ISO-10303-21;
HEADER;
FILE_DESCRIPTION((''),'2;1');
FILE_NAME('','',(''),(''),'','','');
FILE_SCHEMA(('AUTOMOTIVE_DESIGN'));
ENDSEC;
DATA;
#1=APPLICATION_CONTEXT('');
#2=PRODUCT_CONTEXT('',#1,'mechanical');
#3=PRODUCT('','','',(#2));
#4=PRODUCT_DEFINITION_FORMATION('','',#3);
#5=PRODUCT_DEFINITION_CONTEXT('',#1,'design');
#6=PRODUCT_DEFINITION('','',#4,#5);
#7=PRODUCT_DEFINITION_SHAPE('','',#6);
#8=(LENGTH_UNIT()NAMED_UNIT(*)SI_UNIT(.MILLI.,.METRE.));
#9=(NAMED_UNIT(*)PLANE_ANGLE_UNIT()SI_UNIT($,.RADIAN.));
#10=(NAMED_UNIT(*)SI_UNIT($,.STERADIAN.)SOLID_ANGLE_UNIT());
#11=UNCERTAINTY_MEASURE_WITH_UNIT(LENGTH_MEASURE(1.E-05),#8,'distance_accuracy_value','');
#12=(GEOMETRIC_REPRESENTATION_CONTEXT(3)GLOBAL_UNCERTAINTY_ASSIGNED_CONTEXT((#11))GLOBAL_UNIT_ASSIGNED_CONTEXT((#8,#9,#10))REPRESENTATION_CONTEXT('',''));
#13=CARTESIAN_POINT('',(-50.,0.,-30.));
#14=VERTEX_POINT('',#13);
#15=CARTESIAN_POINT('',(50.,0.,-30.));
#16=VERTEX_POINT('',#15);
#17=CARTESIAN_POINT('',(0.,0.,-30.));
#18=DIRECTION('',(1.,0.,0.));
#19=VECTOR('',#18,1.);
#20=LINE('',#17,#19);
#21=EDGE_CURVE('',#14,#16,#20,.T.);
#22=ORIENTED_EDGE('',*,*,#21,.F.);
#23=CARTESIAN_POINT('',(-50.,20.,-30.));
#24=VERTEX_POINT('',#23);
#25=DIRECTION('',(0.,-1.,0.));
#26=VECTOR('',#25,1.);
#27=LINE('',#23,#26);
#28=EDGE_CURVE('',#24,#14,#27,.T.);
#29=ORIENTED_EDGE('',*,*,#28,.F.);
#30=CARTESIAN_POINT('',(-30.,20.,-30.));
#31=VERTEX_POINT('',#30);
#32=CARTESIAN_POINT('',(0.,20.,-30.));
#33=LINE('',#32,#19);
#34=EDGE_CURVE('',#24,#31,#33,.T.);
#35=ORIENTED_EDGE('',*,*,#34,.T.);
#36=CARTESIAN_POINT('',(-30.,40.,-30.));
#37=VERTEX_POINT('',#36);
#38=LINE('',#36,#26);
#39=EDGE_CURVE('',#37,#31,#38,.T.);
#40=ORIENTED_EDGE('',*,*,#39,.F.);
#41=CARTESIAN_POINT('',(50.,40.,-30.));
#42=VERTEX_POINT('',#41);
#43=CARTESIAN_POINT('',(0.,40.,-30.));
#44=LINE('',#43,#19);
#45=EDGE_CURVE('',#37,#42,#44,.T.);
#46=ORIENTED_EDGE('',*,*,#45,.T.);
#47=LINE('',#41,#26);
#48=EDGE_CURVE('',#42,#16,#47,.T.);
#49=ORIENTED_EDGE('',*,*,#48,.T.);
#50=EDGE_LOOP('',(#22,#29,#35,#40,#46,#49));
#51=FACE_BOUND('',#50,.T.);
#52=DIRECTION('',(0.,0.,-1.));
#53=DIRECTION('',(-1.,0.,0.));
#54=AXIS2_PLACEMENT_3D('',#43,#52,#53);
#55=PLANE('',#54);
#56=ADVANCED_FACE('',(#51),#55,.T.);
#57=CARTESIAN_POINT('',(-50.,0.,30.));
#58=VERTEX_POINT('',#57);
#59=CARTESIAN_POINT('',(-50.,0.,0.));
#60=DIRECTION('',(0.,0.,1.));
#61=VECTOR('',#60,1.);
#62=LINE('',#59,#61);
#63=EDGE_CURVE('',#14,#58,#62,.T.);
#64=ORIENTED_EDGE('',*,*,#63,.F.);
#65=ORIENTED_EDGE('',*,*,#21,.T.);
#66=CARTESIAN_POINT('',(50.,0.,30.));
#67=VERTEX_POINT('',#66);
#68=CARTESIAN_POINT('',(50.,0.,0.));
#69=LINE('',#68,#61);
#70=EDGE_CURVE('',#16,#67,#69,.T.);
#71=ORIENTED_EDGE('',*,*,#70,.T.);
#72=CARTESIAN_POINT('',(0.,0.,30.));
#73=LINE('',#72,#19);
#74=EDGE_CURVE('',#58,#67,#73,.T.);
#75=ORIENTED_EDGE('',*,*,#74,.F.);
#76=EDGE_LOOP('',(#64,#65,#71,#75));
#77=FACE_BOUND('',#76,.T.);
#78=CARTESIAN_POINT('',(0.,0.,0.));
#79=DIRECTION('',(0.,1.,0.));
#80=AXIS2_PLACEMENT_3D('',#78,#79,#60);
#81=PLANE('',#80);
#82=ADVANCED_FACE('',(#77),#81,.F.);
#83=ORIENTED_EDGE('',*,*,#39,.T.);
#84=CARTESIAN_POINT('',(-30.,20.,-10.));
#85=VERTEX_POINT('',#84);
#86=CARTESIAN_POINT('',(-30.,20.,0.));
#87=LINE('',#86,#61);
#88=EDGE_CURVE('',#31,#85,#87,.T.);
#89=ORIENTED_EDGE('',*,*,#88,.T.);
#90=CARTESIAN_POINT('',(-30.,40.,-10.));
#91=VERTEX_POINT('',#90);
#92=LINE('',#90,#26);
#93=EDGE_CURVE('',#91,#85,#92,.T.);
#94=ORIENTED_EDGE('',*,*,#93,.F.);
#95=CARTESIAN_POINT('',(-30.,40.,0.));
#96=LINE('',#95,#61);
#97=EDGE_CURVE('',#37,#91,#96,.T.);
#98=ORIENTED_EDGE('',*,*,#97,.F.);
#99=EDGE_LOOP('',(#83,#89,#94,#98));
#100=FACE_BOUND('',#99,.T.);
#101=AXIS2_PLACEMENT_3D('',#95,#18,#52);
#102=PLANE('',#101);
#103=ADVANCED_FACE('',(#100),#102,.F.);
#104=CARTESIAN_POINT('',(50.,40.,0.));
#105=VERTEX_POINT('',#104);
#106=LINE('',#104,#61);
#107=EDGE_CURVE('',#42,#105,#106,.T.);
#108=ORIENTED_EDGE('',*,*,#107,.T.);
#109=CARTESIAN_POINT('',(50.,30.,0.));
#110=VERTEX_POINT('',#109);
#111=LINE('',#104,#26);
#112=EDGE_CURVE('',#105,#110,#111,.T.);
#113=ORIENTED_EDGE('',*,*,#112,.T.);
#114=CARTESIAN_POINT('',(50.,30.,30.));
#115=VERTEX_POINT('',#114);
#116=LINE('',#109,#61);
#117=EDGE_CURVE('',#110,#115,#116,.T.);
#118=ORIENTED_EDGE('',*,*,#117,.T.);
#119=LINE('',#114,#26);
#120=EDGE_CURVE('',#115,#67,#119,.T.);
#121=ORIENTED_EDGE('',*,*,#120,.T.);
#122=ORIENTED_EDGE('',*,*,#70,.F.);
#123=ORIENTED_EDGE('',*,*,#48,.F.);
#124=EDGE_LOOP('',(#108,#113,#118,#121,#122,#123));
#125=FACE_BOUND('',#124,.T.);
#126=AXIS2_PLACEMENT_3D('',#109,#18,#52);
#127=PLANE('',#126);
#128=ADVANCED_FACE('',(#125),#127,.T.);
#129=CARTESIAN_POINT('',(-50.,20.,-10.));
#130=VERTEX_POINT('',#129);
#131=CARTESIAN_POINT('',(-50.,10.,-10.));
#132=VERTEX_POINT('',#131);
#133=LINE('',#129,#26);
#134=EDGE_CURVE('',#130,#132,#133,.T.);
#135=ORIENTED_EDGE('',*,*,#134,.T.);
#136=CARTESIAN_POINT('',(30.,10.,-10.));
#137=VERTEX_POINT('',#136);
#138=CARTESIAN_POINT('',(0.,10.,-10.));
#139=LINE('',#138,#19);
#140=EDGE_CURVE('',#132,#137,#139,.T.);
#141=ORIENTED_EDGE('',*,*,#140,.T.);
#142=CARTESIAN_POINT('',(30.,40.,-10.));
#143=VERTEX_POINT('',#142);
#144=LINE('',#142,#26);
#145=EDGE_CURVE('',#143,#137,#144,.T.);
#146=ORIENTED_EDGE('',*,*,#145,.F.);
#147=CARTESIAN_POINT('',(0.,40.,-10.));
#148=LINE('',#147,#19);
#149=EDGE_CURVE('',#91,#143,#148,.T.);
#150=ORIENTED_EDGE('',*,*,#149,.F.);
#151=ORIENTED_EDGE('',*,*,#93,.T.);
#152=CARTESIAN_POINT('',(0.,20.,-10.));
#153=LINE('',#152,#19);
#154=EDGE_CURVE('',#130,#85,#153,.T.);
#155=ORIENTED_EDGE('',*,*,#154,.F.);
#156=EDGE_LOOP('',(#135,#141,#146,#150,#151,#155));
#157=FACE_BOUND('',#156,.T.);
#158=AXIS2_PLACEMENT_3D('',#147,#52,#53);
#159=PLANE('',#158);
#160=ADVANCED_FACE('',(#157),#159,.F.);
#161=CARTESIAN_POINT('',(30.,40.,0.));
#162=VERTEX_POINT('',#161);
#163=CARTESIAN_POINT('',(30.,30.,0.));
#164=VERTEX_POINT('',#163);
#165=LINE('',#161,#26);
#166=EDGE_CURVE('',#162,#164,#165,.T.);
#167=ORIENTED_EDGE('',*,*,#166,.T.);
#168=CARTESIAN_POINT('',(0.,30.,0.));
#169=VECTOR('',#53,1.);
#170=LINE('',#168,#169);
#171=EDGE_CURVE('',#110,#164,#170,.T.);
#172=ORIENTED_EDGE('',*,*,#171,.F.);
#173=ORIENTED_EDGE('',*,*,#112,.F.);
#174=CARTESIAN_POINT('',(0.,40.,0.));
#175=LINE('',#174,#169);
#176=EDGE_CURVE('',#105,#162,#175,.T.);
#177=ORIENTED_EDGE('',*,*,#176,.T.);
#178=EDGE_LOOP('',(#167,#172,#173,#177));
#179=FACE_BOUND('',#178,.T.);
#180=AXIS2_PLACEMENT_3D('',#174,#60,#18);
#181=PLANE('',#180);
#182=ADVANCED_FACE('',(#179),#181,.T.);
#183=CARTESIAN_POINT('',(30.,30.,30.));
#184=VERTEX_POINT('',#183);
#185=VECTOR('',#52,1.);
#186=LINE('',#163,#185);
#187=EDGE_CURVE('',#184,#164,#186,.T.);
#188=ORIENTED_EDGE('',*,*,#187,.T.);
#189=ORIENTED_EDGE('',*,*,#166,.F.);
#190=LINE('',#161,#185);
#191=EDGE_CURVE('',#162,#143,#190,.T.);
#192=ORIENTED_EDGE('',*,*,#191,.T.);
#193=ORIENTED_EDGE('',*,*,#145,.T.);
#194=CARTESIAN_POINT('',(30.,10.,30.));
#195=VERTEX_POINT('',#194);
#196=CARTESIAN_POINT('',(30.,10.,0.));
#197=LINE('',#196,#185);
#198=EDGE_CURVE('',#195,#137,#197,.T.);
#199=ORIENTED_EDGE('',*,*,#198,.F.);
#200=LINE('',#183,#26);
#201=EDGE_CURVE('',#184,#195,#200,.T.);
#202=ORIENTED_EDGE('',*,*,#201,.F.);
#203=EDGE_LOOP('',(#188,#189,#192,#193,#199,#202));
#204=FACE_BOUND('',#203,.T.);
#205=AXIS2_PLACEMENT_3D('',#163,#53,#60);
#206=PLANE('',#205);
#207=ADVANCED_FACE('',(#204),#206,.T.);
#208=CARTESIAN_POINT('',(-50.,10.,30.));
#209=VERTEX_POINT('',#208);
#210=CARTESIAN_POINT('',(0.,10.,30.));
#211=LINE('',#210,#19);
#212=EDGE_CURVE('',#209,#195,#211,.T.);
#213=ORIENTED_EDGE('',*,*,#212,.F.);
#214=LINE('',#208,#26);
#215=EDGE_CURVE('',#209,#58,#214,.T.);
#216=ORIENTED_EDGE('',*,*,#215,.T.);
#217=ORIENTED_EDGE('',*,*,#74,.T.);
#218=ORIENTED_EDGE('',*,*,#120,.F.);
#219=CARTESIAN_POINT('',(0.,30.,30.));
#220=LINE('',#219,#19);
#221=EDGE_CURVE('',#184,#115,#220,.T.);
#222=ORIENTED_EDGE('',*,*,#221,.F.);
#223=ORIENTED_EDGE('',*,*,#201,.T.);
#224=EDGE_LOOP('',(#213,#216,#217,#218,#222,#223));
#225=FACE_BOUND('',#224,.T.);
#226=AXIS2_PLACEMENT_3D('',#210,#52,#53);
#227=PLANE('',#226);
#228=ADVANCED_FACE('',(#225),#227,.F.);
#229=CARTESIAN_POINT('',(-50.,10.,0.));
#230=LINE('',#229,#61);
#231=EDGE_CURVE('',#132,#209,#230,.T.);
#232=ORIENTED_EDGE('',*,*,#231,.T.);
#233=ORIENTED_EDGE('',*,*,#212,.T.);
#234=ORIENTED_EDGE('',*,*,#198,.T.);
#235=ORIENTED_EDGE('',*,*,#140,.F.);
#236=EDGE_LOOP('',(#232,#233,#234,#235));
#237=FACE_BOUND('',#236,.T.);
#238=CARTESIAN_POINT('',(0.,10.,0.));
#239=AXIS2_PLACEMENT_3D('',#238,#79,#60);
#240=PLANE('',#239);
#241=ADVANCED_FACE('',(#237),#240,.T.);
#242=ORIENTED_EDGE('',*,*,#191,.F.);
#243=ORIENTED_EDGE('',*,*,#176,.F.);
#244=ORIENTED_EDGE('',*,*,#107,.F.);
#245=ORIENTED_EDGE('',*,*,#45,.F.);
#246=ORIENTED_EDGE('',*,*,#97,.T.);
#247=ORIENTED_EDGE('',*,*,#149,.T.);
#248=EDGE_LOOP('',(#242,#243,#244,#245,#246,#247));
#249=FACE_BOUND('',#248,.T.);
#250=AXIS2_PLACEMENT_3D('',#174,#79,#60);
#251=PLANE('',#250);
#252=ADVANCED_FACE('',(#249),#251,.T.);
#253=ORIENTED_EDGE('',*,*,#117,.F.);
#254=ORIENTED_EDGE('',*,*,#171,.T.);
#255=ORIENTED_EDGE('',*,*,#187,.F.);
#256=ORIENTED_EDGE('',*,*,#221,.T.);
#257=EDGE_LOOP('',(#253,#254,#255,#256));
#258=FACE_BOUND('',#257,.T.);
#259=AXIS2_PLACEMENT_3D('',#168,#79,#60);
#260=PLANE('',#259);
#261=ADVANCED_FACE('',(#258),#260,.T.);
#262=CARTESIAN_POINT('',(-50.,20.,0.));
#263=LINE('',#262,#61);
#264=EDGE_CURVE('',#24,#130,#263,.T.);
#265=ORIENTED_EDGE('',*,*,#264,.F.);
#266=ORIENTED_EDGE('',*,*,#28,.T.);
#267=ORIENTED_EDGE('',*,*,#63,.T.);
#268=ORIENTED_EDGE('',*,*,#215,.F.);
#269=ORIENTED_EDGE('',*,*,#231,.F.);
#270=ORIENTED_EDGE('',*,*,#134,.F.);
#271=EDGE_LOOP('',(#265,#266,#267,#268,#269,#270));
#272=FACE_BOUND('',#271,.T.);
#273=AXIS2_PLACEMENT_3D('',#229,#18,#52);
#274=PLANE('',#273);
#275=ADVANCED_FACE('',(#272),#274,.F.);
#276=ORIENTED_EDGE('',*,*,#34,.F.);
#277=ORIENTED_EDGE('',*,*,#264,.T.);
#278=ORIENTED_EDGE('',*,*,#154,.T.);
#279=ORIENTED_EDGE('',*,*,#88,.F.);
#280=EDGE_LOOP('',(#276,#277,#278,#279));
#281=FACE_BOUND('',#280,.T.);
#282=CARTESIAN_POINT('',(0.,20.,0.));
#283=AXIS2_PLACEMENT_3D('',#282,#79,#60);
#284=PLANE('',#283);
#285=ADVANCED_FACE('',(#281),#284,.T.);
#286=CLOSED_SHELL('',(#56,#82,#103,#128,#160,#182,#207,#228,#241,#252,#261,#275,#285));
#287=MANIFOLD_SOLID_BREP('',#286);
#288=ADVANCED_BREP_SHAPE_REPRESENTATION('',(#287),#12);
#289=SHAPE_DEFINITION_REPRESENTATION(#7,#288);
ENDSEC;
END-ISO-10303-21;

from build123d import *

# Parameters (mm, degrees)
SALIENTE_EXTRUIR1_DEPTH = 10
CROQUIS1_3_W            = 20
CROQUIS1_3_H            = 30
SALIENTE_EXTRUIR2_DEPTH = 30
SALIENTE_EXTRUIR3_DEPTH = 40
CROQUIS1_5_W            = 20
CROQUIS1_5_H            = 20
SALIENTE_EXTRUIR4_DEPTH = 20


with BuildPart() as part:
    # Croquis1 → Saliente-Extruir1 (new body)
    with BuildSketch(Plane(origin=(0, 0, 0), x_dir=(1, 0, 0), z_dir=(0, 1, 0))):
        Polygon((-30, 10), (-50, 10), (-50, -30), (30, -30), (30, 0), (30, 10), align=None)
    extrude(amount=SALIENTE_EXTRUIR1_DEPTH)

    # Croquis1<3> → Saliente-Extruir2 (add)
    with BuildSketch(Plane(origin=(0, 0, 0), x_dir=(1, 0, 0), z_dir=(0, 1, 0))):
        with Locations((40, -15)):
            Rectangle(CROQUIS1_3_W, CROQUIS1_3_H)
    extrude(amount=SALIENTE_EXTRUIR2_DEPTH)

    # Croquis1<4> → Saliente-Extruir3 (add)
    with BuildSketch(Plane(origin=(0, 0, 0), x_dir=(1, 0, 0), z_dir=(0, 1, 0))):
        Polygon((30, 30), (-30, 30), (-30, 10), (30, 10), (30, 0), (50, 0), (50, 30), align=None)
    extrude(amount=SALIENTE_EXTRUIR3_DEPTH)

    # Croquis1<5> → Saliente-Extruir4 (add)
    with BuildSketch(Plane(origin=(0, 0, 0), x_dir=(1, 0, 0), z_dir=(0, 1, 0))):
        with Locations((-40, 20)):
            Rectangle(CROQUIS1_5_W, CROQUIS1_5_H)
    extrude(amount=SALIENTE_EXTRUIR4_DEPTH)


solid = part.part
